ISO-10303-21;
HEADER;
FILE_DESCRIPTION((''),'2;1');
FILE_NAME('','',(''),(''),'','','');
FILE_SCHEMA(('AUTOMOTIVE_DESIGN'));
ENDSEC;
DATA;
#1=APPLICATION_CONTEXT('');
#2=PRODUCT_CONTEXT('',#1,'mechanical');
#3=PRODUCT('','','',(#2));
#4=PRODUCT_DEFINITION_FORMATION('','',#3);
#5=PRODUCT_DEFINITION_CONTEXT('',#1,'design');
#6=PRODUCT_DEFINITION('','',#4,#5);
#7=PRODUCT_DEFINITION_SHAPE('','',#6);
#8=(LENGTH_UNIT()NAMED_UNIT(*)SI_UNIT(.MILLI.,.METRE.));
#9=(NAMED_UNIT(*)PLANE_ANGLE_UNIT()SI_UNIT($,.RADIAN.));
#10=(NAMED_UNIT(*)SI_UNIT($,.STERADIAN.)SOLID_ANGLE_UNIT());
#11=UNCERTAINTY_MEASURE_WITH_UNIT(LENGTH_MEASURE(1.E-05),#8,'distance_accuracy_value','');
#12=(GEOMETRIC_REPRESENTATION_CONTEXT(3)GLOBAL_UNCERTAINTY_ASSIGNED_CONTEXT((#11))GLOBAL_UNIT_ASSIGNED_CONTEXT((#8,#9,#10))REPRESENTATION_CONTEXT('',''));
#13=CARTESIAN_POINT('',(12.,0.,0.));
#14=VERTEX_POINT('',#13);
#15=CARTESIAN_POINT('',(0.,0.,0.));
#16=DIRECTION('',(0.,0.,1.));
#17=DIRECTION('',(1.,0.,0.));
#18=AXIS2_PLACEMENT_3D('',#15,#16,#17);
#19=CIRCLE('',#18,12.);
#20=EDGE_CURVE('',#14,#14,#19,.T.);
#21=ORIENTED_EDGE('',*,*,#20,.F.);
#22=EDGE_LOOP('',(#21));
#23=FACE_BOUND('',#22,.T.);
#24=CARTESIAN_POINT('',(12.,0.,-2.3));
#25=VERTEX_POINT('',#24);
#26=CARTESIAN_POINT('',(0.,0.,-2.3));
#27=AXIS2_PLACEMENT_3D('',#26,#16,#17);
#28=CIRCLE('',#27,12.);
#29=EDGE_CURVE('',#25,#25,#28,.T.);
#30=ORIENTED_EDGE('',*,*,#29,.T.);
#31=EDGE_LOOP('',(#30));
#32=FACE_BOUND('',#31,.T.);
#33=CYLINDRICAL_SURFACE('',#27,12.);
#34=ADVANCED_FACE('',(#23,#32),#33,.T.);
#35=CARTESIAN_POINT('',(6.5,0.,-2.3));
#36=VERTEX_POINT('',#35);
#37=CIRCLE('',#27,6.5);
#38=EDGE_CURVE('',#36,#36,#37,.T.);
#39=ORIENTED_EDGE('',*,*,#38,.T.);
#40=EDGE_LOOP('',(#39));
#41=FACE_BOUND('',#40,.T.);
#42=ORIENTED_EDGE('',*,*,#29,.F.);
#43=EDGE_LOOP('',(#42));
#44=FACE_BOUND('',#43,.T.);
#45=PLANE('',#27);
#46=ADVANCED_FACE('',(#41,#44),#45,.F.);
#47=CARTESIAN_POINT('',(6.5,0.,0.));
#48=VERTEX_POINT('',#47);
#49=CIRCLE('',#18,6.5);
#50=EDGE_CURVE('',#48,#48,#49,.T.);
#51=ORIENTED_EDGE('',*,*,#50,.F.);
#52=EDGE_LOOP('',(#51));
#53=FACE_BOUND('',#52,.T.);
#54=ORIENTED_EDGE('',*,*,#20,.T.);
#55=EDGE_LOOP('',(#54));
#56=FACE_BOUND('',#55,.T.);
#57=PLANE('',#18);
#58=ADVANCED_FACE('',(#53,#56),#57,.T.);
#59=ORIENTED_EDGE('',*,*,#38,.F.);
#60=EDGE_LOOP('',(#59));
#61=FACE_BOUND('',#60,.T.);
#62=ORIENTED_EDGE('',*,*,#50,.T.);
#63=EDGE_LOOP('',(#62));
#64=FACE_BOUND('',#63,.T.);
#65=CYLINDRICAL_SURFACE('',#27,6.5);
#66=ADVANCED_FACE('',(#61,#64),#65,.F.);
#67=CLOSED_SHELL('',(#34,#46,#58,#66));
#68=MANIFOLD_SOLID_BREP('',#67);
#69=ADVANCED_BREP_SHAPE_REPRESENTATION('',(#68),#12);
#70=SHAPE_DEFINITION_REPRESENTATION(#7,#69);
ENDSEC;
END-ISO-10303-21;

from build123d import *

# Parameters (mm, degrees)
SKETCH1_R      = 12
SKETCH1_R_2    = 6.5
EXTRUDE1_DEPTH = 2.3


with BuildPart() as part:
    # Sketch1 → Extrude1 (new body)
    with BuildSketch(Plane.XY):
        Circle(SKETCH1_R)
        Circle(SKETCH1_R_2, mode=Mode.SUBTRACT)
    extrude(amount=-EXTRUDE1_DEPTH)


solid = part.part
